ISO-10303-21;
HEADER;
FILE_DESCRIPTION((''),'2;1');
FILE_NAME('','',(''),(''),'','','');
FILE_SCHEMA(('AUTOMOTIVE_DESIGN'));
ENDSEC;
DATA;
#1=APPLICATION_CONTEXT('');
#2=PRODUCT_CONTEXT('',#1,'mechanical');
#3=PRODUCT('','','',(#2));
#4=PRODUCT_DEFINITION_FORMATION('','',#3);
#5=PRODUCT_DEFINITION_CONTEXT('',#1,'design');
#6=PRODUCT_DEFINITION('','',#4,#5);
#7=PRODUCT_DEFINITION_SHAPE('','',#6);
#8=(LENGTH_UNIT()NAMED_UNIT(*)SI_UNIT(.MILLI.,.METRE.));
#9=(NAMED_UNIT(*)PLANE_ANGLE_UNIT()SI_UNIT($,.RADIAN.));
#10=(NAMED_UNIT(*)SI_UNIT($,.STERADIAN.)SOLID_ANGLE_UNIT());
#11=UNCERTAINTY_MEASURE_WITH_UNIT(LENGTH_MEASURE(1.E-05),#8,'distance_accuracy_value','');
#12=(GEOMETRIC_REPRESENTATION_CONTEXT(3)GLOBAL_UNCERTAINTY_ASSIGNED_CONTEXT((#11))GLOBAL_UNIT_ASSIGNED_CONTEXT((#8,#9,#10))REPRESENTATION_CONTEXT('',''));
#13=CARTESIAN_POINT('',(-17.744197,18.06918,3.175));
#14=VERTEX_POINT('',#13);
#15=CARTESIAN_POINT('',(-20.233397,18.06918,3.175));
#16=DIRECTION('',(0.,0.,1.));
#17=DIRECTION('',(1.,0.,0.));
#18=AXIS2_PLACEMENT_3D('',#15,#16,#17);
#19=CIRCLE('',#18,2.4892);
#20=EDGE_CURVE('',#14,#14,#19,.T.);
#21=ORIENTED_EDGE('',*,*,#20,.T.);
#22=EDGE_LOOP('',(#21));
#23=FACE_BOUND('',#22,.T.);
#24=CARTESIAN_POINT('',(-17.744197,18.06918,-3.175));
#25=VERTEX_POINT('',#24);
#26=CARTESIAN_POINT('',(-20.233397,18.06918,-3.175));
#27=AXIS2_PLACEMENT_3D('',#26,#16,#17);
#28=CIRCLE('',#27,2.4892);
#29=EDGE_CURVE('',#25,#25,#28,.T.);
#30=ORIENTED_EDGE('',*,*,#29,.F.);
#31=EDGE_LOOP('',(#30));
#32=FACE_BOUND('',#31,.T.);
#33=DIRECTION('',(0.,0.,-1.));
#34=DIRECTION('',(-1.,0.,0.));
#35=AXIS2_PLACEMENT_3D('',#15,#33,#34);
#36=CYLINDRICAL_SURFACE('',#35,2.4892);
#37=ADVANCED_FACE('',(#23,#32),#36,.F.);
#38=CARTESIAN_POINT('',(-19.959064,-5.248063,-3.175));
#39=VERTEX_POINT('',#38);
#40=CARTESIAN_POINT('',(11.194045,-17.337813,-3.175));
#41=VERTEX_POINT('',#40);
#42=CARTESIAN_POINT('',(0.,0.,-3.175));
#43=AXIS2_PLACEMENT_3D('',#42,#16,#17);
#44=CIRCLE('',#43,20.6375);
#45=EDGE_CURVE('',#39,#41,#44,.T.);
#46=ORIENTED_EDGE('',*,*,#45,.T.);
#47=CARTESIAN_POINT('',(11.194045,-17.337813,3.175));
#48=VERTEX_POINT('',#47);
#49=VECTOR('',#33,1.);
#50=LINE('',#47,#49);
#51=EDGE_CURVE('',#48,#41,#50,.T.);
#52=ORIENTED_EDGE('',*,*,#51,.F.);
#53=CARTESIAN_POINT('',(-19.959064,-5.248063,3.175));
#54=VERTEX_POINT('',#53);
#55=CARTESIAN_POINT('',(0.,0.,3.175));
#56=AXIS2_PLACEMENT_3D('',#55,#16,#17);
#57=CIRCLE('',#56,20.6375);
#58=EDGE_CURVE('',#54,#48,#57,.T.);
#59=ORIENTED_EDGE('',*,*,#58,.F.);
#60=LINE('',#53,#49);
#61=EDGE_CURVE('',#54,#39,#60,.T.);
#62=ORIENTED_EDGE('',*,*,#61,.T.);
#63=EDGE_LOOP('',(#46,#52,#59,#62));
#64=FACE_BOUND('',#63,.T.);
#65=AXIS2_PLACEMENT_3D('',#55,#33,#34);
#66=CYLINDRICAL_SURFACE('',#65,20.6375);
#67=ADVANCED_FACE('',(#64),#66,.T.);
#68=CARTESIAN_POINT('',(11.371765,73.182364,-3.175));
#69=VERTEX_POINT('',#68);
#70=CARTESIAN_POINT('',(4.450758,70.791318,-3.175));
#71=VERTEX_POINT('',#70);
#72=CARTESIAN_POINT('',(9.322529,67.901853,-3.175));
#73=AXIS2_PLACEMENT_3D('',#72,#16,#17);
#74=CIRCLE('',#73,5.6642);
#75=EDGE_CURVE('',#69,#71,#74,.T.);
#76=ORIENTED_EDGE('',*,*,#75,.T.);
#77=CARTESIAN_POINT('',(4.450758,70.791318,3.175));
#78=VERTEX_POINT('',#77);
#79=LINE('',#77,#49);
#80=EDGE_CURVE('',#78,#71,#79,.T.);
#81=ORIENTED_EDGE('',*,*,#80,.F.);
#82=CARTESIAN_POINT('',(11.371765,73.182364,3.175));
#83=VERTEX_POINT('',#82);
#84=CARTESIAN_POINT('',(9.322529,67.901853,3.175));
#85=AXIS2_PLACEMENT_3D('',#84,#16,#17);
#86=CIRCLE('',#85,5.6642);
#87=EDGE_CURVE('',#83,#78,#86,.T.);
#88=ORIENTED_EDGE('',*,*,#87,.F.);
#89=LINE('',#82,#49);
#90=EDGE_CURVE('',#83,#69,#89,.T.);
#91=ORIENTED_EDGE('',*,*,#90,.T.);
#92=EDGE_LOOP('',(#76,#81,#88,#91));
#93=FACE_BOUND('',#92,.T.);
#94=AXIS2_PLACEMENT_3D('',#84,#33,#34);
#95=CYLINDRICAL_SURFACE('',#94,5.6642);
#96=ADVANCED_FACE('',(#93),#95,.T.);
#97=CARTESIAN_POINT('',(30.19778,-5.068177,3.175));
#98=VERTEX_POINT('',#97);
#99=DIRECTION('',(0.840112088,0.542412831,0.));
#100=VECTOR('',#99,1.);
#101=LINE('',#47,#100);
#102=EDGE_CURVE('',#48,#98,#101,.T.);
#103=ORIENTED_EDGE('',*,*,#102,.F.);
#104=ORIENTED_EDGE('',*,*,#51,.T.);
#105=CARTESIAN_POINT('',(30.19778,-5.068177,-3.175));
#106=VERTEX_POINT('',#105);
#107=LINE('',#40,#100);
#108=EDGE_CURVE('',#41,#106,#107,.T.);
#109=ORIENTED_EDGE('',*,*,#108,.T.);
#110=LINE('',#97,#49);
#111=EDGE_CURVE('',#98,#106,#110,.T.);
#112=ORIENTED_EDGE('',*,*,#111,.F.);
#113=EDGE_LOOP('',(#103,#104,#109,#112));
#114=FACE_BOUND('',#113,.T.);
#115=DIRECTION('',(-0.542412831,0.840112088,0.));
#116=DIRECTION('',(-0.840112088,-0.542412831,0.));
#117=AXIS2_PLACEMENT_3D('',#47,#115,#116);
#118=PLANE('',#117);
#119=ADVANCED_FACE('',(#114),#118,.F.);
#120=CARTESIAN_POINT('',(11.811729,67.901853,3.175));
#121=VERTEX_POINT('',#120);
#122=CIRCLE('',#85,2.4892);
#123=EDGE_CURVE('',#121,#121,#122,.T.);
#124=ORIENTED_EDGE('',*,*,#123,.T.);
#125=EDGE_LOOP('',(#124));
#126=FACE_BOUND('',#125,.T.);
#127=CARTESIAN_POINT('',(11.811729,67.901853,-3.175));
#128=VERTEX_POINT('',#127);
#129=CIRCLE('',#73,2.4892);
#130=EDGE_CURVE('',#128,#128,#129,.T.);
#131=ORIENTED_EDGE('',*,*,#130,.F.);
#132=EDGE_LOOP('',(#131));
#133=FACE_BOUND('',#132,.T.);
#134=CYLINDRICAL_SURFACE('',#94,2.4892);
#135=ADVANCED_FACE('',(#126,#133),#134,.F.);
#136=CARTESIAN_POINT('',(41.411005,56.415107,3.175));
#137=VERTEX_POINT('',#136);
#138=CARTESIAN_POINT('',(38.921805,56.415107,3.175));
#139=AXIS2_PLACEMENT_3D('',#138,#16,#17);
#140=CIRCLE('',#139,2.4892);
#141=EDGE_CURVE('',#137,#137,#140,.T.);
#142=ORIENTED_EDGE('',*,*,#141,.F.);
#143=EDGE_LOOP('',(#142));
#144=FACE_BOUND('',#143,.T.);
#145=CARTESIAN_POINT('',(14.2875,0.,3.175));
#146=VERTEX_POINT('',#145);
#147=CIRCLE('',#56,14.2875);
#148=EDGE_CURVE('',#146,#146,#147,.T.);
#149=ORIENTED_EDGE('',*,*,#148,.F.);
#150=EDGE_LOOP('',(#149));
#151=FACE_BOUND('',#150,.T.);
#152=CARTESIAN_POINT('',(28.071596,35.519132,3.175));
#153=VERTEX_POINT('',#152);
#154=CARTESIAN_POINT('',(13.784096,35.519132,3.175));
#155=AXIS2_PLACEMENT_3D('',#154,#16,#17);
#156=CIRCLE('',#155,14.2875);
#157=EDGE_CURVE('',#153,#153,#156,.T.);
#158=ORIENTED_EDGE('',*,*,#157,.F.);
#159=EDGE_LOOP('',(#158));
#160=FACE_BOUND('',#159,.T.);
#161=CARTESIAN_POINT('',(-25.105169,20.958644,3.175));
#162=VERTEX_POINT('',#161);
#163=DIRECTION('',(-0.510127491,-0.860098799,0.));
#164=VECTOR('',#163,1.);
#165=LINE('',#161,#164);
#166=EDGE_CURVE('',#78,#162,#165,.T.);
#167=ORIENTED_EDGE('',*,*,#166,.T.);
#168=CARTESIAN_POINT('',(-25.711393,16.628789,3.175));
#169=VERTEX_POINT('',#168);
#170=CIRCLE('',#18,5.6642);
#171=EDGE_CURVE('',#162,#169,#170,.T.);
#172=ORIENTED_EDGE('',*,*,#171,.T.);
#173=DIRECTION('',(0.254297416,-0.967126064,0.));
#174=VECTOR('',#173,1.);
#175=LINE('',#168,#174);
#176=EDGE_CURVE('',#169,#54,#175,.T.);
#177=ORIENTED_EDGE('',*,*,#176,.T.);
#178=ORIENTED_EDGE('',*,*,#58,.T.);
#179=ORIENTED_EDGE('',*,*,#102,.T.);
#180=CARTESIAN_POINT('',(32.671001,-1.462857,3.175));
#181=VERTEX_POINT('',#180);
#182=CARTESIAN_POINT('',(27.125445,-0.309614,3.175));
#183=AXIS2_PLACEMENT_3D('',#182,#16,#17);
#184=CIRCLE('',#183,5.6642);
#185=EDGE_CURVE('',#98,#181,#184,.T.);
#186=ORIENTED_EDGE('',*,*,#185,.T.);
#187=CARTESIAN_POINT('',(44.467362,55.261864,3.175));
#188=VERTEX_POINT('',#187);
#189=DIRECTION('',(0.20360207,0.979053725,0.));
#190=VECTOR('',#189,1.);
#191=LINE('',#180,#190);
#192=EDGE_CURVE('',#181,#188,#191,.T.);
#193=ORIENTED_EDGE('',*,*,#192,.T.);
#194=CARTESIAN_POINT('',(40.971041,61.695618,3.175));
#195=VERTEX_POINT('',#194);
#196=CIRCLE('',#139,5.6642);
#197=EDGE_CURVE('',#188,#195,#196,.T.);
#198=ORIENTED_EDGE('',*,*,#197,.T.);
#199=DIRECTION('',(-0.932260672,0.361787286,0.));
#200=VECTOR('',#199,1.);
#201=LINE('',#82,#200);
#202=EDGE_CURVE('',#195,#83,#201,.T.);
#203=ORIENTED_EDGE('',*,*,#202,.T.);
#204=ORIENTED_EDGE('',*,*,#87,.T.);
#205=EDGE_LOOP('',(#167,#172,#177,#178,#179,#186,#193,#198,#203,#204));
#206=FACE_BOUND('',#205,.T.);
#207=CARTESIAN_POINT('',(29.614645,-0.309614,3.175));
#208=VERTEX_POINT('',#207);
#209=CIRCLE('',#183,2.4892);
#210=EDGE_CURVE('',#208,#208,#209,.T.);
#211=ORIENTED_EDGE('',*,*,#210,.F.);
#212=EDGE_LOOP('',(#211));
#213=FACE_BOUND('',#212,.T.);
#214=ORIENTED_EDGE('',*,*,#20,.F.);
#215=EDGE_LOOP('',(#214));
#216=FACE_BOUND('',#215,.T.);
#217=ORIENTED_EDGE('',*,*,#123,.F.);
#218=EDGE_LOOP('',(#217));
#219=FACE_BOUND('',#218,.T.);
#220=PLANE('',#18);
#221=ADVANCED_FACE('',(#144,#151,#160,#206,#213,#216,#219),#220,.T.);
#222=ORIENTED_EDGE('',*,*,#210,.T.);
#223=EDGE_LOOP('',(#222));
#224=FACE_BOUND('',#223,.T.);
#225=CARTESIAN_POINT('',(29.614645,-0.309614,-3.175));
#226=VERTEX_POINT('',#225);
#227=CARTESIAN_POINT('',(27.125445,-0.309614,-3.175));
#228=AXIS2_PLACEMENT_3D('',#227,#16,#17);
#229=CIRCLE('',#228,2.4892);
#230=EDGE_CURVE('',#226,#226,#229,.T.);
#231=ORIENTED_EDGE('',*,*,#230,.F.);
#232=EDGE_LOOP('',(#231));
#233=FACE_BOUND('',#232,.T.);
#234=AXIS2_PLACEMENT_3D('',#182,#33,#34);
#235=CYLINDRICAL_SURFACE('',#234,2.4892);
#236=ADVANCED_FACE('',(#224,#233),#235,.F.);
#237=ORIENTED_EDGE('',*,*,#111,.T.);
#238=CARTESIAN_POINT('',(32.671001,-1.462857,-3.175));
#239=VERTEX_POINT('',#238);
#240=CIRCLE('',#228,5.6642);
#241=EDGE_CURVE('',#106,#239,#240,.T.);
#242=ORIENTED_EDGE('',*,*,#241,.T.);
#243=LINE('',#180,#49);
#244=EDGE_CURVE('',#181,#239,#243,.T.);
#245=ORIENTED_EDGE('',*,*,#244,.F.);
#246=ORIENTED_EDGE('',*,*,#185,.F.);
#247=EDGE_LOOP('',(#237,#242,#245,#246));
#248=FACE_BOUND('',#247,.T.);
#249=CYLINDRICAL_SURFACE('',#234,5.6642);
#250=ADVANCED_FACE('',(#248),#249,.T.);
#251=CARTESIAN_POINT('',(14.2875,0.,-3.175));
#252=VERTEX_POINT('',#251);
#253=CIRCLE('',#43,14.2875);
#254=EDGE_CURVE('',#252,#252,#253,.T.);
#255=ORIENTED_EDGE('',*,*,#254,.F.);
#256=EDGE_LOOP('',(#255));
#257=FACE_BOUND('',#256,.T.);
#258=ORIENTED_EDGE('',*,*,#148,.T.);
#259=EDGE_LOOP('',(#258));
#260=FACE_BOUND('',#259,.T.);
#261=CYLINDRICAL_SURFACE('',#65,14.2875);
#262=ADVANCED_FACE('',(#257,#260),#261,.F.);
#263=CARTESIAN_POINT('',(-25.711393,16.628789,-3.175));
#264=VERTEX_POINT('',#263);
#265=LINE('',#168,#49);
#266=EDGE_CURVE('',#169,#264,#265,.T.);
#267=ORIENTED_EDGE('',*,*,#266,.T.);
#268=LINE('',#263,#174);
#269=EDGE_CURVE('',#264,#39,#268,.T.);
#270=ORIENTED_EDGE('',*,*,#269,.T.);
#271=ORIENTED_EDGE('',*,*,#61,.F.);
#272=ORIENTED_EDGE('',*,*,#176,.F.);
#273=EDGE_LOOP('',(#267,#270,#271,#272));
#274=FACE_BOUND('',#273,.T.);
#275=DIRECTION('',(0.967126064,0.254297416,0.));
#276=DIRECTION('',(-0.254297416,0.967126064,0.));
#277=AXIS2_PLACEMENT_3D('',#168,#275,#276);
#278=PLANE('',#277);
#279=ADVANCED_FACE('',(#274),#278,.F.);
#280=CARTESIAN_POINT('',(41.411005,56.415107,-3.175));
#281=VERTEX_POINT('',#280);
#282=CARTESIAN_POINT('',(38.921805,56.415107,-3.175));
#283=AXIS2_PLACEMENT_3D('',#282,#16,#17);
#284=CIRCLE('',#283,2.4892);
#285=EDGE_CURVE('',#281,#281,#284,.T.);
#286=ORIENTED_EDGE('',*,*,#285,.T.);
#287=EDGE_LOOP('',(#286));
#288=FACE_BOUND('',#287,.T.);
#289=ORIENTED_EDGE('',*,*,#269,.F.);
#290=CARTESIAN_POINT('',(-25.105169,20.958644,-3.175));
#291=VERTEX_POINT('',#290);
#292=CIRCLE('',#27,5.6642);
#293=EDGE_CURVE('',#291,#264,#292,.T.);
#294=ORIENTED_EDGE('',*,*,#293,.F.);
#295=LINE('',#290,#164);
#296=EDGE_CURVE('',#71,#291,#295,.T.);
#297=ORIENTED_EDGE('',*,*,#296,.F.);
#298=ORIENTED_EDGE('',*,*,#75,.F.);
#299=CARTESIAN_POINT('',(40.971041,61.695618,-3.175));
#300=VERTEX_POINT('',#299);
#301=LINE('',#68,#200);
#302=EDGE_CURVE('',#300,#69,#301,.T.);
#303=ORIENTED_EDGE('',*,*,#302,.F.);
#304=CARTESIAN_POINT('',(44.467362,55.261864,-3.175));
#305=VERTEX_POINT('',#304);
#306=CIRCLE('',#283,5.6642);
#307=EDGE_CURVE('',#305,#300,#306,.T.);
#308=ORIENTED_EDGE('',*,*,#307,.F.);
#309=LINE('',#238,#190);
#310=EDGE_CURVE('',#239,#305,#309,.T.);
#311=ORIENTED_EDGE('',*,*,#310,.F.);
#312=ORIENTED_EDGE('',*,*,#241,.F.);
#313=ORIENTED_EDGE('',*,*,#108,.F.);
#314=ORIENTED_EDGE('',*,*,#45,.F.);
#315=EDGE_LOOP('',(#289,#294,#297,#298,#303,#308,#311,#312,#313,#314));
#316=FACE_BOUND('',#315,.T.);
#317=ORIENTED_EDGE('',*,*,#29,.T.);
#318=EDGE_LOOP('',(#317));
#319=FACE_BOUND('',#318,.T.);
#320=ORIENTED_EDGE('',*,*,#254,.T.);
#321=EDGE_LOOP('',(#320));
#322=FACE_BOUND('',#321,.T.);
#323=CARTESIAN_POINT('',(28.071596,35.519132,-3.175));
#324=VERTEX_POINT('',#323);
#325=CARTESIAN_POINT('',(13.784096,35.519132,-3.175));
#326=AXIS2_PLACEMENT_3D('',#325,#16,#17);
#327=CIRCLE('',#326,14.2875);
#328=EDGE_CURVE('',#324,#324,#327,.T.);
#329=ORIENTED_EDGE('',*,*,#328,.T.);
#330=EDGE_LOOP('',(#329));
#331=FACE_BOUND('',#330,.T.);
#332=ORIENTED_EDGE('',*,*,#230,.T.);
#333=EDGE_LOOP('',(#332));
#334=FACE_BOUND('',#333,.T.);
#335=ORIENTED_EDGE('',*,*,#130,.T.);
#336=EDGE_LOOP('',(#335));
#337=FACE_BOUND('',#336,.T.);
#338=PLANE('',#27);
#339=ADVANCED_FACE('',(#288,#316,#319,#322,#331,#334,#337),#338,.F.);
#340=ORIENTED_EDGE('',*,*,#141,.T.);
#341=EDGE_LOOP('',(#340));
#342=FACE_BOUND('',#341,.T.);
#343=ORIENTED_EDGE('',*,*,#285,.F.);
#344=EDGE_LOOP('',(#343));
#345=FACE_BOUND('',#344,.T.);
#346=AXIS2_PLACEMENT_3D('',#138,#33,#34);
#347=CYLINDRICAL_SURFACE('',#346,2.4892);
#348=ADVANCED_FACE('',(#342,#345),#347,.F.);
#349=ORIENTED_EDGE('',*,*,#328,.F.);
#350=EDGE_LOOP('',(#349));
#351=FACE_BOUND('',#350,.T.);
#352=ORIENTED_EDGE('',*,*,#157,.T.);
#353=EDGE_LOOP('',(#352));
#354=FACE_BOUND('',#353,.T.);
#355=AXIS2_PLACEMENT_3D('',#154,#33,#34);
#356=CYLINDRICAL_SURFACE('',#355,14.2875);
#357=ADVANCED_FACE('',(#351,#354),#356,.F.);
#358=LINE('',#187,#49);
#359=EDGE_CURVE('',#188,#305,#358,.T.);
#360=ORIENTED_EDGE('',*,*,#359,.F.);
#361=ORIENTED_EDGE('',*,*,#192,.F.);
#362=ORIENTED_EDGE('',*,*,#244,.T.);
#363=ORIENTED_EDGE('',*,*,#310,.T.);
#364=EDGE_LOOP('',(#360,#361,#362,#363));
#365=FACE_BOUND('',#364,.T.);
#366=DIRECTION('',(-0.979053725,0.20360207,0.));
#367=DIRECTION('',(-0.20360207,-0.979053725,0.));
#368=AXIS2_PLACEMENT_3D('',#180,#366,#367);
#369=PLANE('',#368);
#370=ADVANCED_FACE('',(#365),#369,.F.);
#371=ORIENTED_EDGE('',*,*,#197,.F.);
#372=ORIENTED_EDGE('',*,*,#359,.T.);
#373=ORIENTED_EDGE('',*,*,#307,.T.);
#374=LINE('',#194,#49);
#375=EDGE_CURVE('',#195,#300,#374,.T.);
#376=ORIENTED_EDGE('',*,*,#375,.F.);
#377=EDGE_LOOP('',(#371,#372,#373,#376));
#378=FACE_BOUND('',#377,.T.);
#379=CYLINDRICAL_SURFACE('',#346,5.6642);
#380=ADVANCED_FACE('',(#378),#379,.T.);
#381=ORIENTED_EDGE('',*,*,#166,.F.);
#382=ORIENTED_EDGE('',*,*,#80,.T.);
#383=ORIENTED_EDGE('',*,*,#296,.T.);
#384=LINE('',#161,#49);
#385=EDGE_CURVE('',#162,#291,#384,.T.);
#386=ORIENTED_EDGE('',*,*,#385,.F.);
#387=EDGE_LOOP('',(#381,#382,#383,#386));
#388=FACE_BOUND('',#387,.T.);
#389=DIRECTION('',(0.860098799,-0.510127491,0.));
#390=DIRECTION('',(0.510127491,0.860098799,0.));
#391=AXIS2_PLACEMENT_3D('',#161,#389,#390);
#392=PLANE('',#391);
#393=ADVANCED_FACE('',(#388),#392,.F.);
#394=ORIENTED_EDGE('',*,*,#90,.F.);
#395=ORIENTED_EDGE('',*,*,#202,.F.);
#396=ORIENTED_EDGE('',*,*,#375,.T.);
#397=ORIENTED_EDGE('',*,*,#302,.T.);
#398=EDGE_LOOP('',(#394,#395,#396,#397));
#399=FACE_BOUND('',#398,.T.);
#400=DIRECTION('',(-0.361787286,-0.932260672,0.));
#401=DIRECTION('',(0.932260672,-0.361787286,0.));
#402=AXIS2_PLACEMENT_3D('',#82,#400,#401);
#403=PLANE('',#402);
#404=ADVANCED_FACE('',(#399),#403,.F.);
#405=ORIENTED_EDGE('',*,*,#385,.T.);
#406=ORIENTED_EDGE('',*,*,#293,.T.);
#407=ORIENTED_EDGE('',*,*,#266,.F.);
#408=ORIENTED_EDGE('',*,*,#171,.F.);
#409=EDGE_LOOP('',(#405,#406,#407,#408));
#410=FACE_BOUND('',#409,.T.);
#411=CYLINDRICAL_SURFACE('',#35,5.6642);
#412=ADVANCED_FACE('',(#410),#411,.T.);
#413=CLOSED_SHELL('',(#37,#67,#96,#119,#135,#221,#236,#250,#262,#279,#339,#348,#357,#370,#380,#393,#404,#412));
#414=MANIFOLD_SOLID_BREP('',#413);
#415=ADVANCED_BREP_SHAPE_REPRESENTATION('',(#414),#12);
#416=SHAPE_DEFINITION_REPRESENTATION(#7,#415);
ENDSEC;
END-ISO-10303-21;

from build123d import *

# Parameters (mm, degrees)
SKETCH1_R           = 14.2875
SKETCH1_R_2         = 2.4892
BOSS_EXTRUDE1_DEPTH = 3.175


with BuildPart() as part:
    # Sketch1 → Boss-Extrude1 (new, symmetric)
    with BuildSketch(Plane.XY):
        with BuildLine():
            Line((-25.711392616, 16.628788534), (-19.959064153, -5.248062916))
            ThreePointArc((-19.959064153, -5.248062916), (-7.46638511, -19.239529611), (11.194044807, -17.337813216))
            Line((11.194044807, -17.337813216), (30.197779716, -5.06817705))
            ThreePointArc((30.197779716, -5.06817705), (31.796268643, -3.513762679), (32.671001067, -1.462857007))
            Line((32.671001067, -1.462857007), (44.467361552, 55.261864273))
            ThreePointArc((44.467361552, 55.261864273), (43.898602792, 59.119668038), (40.971040985, 61.695618015))
            Line((40.971040985, 61.695618015), (11.371764661, 73.182364338))
            ThreePointArc((11.371764661, 73.182364338), (7.472947104, 73.255563185), (4.450757502, 70.791317575))
            Line((4.450757502, 70.791317575), (-25.105168777, 20.958644089))
            ThreePointArc((-25.105168777, 20.958644089), (-25.842883045, 18.854565063), (-25.711392616, 16.628788534))
        make_face()
        Circle(SKETCH1_R, mode=Mode.SUBTRACT)
        with Locations((13.784095588, 35.519131589)):
            Circle(SKETCH1_R, mode=Mode.SUBTRACT)
        with Locations((-20.233397162, 18.069179956)):
            Circle(SKETCH1_R_2, mode=Mode.SUBTRACT)
        with Locations((27.125444956, -0.309614161)):
            Circle(SKETCH1_R_2, mode=Mode.SUBTRACT)
        with Locations((38.921805441, 56.415107119)):
            Circle(SKETCH1_R_2, mode=Mode.SUBTRACT)
        with Locations((9.322529117, 67.901853442)):
            Circle(SKETCH1_R_2, mode=Mode.SUBTRACT)
    extrude(amount=BOSS_EXTRUDE1_DEPTH, both=True)


solid = part.part
